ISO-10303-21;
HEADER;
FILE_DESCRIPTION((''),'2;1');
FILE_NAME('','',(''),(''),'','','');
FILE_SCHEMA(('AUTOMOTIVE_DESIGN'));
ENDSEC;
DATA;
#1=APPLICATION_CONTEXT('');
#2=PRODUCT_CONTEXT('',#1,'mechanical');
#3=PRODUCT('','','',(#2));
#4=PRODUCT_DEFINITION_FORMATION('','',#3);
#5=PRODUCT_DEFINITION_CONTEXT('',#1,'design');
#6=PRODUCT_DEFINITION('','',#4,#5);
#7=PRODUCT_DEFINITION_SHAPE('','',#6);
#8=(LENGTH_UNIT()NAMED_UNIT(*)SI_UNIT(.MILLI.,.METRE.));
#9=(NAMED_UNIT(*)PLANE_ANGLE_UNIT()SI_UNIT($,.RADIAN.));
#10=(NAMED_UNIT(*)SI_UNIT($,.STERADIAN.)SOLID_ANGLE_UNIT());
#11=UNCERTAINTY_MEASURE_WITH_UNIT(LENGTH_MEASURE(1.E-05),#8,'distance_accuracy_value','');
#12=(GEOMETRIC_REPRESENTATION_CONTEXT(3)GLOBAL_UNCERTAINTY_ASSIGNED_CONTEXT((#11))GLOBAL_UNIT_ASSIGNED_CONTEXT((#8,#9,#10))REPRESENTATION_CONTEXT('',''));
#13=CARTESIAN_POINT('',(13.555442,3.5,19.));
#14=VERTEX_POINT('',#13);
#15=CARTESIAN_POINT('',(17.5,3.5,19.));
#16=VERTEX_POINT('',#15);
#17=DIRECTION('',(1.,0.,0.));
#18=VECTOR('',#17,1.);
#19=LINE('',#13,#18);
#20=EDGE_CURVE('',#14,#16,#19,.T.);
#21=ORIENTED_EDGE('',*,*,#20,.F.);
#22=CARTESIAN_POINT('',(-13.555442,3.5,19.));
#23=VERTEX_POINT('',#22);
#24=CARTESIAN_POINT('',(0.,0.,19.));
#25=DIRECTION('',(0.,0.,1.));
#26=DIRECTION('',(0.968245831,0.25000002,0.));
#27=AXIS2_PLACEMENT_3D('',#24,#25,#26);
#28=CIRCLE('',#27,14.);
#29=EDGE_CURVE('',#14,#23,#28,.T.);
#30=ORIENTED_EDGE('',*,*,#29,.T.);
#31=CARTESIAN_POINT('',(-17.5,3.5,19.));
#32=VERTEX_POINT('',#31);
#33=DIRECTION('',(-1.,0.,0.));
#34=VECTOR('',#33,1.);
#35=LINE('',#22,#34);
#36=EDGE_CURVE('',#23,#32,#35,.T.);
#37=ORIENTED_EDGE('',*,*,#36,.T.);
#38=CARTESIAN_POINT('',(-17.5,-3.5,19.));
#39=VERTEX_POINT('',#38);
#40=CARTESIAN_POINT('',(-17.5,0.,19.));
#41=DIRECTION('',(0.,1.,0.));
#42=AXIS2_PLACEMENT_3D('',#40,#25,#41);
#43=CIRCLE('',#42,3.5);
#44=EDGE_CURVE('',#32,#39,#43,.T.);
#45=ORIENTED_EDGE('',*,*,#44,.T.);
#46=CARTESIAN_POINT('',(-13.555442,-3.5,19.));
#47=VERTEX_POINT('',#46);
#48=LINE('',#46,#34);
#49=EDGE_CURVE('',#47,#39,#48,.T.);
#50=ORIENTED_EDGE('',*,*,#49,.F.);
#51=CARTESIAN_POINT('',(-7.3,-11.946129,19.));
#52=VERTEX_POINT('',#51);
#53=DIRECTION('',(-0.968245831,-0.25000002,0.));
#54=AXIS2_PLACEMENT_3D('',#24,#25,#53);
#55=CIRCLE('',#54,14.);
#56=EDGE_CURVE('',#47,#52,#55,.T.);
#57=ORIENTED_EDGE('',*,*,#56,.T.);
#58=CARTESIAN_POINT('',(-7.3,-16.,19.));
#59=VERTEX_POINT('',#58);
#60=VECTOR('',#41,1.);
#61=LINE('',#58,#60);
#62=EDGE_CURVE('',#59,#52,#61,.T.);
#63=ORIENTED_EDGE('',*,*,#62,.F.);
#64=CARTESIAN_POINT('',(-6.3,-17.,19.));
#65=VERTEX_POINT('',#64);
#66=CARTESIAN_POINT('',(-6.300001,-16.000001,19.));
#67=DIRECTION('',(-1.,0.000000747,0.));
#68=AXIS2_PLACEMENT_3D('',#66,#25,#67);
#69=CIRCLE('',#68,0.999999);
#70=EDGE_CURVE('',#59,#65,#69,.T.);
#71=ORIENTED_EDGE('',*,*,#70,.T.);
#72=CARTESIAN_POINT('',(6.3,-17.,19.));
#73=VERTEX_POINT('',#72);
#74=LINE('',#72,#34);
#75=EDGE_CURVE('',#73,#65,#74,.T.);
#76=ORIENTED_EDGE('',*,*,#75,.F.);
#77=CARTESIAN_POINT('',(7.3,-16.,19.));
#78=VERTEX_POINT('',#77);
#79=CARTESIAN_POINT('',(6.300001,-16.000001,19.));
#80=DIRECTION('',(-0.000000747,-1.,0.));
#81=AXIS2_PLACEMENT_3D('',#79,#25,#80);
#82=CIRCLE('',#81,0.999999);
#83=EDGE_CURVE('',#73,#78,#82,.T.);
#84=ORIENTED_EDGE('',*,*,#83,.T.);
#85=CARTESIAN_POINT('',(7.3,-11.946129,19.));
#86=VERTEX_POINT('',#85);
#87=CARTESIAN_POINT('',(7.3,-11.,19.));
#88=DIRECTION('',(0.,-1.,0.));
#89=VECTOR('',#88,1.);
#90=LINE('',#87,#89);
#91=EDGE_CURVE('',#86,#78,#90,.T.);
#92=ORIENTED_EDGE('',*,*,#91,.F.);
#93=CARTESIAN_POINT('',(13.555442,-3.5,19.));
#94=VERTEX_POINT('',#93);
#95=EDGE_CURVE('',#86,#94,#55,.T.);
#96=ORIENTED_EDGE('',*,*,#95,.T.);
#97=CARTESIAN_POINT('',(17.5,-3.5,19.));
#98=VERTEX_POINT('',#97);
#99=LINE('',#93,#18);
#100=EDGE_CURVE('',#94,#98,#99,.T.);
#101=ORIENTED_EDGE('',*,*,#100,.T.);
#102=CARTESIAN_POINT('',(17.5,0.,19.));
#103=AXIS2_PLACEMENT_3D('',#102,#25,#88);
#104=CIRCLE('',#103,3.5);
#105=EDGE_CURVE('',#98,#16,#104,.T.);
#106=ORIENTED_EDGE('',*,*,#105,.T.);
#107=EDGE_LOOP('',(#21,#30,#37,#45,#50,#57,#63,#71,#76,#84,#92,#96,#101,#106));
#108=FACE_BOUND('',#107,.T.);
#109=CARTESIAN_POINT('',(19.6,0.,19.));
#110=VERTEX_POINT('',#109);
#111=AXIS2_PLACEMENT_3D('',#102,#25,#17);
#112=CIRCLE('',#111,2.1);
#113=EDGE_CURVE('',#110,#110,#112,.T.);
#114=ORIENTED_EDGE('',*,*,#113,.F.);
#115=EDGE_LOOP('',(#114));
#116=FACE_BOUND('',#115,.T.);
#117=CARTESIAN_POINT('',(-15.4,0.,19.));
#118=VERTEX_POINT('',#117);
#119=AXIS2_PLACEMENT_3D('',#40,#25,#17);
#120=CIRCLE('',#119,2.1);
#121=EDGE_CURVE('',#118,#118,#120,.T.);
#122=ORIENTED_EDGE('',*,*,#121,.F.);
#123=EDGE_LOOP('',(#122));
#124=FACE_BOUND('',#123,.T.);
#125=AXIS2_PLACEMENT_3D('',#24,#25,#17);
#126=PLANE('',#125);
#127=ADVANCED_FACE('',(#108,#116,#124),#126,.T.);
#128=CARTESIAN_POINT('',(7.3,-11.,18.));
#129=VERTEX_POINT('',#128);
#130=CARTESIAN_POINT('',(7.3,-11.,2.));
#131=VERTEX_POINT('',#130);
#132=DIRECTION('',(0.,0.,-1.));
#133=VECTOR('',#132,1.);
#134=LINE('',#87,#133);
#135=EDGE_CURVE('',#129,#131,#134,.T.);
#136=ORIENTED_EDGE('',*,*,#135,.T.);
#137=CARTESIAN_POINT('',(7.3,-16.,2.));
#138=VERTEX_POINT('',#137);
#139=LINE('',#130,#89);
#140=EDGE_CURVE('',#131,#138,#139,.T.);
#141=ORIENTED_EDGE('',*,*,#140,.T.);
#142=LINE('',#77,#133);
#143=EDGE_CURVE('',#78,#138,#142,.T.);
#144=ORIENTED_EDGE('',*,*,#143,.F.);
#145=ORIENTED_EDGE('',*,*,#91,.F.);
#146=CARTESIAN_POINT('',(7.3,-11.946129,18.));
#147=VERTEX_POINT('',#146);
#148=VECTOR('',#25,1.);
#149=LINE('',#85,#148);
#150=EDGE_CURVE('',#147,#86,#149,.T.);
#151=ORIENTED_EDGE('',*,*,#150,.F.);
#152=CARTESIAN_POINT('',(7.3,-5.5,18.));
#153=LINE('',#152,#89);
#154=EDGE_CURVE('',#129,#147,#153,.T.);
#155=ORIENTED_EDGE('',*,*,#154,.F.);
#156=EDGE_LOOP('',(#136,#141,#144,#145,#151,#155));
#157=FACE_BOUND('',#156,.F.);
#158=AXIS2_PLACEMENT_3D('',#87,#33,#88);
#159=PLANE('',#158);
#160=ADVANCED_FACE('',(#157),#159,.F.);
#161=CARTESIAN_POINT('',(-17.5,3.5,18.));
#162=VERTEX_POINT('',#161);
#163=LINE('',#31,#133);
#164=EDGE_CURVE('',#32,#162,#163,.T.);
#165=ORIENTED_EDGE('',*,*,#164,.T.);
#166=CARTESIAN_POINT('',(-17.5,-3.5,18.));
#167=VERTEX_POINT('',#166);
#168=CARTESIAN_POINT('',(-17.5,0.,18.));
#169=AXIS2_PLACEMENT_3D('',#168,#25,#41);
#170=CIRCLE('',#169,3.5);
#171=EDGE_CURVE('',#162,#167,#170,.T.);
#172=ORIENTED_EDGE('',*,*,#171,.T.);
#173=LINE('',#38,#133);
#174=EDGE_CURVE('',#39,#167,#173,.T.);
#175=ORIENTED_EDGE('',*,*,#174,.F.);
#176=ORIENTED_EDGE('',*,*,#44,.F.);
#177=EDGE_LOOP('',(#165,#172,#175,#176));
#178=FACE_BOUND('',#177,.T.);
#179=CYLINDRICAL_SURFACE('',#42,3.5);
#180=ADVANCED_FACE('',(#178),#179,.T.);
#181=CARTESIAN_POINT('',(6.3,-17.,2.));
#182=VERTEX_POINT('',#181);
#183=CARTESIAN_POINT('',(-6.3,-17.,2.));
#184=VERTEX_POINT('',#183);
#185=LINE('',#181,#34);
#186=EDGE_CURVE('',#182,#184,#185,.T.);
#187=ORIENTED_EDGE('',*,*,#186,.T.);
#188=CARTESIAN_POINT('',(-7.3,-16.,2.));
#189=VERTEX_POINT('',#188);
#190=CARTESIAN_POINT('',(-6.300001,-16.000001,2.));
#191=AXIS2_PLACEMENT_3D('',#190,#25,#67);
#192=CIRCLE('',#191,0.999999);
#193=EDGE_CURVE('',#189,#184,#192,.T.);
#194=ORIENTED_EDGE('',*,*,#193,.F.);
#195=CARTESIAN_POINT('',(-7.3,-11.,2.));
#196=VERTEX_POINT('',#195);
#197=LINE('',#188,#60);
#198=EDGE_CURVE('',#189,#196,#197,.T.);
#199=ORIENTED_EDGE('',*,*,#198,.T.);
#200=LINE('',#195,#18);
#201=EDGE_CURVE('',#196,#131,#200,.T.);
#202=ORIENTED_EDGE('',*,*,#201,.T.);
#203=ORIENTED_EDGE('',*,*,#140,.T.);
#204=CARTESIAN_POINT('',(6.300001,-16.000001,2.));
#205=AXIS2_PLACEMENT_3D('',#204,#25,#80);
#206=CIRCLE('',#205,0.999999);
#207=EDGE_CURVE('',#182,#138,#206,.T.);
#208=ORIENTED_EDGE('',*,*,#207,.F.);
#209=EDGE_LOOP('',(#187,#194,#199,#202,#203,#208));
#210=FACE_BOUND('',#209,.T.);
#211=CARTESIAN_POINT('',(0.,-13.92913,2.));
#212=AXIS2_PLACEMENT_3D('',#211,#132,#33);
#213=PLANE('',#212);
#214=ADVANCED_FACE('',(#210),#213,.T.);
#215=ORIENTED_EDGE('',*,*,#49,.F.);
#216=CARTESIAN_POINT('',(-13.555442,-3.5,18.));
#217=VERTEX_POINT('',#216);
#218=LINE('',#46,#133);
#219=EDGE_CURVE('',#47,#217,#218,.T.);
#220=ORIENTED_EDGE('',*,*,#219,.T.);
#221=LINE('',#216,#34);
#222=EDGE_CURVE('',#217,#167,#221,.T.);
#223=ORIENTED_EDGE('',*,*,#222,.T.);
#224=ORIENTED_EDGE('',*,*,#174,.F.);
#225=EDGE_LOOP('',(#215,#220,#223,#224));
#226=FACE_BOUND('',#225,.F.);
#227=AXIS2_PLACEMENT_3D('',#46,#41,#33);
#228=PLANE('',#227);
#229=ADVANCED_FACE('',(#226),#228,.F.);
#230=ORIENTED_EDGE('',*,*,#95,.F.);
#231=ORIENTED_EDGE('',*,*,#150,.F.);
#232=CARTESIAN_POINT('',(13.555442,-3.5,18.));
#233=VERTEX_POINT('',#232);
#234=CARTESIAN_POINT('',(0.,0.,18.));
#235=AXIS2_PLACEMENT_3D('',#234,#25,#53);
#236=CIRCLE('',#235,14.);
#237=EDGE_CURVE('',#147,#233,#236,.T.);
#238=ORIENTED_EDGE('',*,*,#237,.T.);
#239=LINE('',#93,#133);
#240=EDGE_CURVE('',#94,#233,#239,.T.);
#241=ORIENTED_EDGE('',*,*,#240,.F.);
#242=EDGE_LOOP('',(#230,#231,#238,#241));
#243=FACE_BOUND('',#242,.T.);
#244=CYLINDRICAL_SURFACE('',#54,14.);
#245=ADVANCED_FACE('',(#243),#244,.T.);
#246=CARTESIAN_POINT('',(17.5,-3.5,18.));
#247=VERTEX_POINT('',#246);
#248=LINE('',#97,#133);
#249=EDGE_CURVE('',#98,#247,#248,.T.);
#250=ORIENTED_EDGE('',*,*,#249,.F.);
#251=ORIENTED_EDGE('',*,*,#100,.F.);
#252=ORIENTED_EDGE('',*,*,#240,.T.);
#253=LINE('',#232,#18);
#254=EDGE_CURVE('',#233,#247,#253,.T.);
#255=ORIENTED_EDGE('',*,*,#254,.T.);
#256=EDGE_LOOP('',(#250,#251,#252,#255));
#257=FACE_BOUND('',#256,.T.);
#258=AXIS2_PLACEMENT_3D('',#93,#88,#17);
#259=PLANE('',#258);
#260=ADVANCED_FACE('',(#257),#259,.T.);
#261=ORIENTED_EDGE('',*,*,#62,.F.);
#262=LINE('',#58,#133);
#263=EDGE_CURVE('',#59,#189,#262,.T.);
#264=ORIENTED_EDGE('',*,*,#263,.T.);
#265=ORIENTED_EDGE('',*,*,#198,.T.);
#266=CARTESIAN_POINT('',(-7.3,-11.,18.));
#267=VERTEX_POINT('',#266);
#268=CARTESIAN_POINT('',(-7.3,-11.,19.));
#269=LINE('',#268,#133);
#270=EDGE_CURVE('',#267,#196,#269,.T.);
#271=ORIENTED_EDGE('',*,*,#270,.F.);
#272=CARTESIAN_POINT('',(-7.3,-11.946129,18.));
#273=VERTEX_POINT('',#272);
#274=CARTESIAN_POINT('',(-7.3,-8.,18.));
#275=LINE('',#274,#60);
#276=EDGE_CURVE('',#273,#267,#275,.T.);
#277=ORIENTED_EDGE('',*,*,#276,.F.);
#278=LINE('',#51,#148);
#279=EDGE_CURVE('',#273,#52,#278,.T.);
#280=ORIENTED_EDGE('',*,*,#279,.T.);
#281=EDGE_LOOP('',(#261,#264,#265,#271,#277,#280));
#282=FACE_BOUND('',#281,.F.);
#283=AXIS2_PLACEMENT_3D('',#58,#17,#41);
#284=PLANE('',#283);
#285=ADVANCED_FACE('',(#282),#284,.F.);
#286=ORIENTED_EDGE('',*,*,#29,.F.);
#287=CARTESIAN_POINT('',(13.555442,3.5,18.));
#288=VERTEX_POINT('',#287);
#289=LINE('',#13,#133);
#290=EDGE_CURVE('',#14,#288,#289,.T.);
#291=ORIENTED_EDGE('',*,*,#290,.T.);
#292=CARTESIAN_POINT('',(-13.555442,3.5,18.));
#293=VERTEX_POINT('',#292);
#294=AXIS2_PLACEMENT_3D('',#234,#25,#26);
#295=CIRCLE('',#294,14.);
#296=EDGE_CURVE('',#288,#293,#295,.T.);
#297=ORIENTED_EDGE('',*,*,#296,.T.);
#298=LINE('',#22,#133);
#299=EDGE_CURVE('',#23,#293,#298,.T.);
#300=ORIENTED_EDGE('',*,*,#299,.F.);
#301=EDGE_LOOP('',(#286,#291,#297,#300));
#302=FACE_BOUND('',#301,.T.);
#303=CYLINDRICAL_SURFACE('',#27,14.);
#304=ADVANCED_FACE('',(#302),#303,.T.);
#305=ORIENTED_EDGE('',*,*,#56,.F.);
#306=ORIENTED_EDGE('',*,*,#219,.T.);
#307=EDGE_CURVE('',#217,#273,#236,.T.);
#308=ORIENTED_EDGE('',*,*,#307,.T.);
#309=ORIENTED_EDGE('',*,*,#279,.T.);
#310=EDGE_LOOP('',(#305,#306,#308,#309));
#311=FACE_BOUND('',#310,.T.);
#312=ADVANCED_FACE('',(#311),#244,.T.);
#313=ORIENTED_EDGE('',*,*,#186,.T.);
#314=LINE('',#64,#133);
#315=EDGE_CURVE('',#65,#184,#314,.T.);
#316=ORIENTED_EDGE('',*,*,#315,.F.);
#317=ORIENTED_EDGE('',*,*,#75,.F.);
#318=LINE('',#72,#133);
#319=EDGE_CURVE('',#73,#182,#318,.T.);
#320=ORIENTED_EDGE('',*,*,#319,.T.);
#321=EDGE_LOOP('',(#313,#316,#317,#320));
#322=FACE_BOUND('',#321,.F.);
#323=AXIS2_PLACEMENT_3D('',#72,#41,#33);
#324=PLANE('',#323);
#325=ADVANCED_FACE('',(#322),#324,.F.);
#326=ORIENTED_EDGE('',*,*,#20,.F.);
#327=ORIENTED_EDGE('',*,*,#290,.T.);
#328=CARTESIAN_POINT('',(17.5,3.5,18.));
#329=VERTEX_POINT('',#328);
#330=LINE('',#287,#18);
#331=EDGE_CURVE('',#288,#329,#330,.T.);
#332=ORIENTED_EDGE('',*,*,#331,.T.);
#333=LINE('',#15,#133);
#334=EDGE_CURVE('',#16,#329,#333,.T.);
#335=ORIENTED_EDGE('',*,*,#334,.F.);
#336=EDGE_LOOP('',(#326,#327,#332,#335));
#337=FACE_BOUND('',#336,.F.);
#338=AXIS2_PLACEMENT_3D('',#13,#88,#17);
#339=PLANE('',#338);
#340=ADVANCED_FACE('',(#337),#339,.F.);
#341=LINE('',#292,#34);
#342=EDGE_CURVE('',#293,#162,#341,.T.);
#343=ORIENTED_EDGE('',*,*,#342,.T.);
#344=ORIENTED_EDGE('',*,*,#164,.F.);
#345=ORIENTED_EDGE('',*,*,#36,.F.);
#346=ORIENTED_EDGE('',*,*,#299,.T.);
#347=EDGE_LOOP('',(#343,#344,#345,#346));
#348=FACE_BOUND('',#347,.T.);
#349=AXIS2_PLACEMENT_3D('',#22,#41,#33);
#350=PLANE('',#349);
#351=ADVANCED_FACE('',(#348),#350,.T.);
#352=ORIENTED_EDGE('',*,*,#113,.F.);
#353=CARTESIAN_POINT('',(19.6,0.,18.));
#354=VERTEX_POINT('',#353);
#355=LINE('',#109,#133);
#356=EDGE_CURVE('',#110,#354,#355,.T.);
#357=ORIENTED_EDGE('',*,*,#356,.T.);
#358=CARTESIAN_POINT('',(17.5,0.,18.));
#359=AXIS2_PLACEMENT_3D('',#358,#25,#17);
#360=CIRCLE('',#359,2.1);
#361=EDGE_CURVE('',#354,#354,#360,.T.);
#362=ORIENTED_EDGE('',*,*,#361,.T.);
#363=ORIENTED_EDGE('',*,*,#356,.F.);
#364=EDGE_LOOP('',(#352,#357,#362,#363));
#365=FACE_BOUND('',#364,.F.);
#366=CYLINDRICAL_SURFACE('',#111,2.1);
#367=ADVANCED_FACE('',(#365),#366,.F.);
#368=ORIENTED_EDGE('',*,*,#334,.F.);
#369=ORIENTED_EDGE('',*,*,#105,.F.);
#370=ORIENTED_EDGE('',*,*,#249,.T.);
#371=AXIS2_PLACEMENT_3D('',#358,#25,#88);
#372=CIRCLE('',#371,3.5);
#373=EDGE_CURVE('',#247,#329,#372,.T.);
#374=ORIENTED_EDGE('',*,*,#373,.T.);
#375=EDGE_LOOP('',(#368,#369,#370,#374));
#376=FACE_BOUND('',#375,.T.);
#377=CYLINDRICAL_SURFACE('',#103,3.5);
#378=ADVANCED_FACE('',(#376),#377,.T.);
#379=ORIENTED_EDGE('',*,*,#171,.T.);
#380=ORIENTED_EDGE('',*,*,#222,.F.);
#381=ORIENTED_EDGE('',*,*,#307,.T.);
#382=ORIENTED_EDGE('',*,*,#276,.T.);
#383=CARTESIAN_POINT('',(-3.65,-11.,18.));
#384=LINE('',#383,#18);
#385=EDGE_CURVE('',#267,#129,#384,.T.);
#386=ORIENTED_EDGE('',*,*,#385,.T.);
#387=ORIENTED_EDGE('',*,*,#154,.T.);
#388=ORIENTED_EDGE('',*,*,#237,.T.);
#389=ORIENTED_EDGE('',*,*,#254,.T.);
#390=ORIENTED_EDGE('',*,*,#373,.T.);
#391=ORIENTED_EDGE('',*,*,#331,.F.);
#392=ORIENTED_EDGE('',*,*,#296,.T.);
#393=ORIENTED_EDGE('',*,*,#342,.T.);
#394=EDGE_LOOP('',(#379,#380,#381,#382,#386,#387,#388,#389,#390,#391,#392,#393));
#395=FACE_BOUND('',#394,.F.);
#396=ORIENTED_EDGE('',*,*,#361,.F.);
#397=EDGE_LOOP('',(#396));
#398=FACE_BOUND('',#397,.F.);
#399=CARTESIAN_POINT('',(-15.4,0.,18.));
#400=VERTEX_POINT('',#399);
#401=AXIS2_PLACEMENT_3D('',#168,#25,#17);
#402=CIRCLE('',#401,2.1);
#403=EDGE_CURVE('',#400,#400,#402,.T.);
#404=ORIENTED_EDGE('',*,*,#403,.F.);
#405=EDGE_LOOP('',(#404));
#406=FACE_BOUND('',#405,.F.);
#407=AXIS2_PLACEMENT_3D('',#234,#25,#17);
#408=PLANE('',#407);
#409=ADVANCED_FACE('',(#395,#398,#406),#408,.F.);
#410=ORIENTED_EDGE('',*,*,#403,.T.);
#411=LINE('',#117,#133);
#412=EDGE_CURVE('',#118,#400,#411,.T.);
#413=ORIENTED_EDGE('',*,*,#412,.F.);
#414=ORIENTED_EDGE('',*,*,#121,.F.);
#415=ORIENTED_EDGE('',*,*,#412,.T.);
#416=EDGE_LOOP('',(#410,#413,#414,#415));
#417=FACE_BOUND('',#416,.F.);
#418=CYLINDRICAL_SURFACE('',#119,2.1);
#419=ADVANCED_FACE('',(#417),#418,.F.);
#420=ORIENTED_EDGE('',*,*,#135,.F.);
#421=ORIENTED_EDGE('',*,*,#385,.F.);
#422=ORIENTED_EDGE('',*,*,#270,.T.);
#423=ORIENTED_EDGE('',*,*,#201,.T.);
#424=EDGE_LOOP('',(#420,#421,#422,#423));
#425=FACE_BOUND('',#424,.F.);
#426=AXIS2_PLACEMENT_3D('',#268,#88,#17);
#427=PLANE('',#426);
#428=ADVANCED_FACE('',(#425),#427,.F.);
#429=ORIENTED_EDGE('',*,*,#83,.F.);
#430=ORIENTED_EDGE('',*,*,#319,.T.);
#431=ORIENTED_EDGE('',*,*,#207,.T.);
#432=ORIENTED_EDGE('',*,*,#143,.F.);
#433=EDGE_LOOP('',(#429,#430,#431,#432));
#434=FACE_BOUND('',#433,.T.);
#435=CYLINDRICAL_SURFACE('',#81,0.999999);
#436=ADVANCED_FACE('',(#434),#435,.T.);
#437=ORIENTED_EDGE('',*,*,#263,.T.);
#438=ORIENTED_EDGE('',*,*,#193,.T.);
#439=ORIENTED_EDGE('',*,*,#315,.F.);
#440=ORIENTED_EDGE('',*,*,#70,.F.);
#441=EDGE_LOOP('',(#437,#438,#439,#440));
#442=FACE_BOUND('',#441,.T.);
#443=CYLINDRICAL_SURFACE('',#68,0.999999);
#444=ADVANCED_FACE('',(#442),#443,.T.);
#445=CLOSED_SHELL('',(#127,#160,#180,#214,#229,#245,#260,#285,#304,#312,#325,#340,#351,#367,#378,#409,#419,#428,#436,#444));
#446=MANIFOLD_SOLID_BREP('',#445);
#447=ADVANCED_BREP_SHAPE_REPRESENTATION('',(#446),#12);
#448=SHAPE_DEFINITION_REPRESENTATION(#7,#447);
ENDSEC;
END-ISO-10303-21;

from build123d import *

# Parameters (mm, degrees)
PAD028_DEPTH  = 1
SKETCH038_R   = 2.1
HOLE001_DEPTH = 25
PAD027_DEPTH  = 17


with BuildPart() as part:
    # Sketch037 (on Face1 of CopyPad003) → Pad028 (new body)
    with BuildSketch(Plane.XY.offset(19)):
        with BuildLine():
            ThreePointArc((-13.555442, -3.5), (0, -14), (13.555442, -3.5))
            Line((13.555442, -3.5), (17.5, -3.5))
            ThreePointArc((17.5, -3.5), (21, 0), (17.5, 3.5))
            Line((13.555442, 3.5), (17.5, 3.5))
            ThreePointArc((13.555442, 3.5), (0, 14), (-13.555442, 3.5))
            Line((-13.555442, 3.5), (-17.5, 3.5))
            ThreePointArc((-17.5, 3.5), (-21, 0), (-17.5, -3.5))
            Line((-13.555442, -3.5), (-17.5, -3.5))
        make_face()
    extrude(amount=-PAD028_DEPTH)

    # Sketch038 (on Face9 of Pad028) → Hole001 (cut)
    with BuildSketch(Plane.XY.offset(19)):
        with Locations((-17.5, 0)):
            Circle(SKETCH038_R)
        with Locations((17.5, 0)):
            Circle(SKETCH038_R)
    extrude(amount=-HOLE001_DEPTH, mode=Mode.SUBTRACT)

    # Sketch006 (on Face4 of Hole001) → Pad027 (join)
    with BuildSketch(Plane.XY.offset(19)):
        with BuildLine():
            Line((-7.3, -11), (7.3, -11))
            Line((7.3, -11), (7.3, -16))
            ThreePointArc((6.3, -17), (7.007107, -16.707107), (7.3, -16))
            Line((6.3, -17), (-6.3, -17))
            ThreePointArc((-7.3, -16), (-7.007107, -16.707107), (-6.3, -17))
            Line((-7.3, -16), (-7.3, -11))
        make_face()
    extrude(amount=-PAD027_DEPTH)


solid = part.part
